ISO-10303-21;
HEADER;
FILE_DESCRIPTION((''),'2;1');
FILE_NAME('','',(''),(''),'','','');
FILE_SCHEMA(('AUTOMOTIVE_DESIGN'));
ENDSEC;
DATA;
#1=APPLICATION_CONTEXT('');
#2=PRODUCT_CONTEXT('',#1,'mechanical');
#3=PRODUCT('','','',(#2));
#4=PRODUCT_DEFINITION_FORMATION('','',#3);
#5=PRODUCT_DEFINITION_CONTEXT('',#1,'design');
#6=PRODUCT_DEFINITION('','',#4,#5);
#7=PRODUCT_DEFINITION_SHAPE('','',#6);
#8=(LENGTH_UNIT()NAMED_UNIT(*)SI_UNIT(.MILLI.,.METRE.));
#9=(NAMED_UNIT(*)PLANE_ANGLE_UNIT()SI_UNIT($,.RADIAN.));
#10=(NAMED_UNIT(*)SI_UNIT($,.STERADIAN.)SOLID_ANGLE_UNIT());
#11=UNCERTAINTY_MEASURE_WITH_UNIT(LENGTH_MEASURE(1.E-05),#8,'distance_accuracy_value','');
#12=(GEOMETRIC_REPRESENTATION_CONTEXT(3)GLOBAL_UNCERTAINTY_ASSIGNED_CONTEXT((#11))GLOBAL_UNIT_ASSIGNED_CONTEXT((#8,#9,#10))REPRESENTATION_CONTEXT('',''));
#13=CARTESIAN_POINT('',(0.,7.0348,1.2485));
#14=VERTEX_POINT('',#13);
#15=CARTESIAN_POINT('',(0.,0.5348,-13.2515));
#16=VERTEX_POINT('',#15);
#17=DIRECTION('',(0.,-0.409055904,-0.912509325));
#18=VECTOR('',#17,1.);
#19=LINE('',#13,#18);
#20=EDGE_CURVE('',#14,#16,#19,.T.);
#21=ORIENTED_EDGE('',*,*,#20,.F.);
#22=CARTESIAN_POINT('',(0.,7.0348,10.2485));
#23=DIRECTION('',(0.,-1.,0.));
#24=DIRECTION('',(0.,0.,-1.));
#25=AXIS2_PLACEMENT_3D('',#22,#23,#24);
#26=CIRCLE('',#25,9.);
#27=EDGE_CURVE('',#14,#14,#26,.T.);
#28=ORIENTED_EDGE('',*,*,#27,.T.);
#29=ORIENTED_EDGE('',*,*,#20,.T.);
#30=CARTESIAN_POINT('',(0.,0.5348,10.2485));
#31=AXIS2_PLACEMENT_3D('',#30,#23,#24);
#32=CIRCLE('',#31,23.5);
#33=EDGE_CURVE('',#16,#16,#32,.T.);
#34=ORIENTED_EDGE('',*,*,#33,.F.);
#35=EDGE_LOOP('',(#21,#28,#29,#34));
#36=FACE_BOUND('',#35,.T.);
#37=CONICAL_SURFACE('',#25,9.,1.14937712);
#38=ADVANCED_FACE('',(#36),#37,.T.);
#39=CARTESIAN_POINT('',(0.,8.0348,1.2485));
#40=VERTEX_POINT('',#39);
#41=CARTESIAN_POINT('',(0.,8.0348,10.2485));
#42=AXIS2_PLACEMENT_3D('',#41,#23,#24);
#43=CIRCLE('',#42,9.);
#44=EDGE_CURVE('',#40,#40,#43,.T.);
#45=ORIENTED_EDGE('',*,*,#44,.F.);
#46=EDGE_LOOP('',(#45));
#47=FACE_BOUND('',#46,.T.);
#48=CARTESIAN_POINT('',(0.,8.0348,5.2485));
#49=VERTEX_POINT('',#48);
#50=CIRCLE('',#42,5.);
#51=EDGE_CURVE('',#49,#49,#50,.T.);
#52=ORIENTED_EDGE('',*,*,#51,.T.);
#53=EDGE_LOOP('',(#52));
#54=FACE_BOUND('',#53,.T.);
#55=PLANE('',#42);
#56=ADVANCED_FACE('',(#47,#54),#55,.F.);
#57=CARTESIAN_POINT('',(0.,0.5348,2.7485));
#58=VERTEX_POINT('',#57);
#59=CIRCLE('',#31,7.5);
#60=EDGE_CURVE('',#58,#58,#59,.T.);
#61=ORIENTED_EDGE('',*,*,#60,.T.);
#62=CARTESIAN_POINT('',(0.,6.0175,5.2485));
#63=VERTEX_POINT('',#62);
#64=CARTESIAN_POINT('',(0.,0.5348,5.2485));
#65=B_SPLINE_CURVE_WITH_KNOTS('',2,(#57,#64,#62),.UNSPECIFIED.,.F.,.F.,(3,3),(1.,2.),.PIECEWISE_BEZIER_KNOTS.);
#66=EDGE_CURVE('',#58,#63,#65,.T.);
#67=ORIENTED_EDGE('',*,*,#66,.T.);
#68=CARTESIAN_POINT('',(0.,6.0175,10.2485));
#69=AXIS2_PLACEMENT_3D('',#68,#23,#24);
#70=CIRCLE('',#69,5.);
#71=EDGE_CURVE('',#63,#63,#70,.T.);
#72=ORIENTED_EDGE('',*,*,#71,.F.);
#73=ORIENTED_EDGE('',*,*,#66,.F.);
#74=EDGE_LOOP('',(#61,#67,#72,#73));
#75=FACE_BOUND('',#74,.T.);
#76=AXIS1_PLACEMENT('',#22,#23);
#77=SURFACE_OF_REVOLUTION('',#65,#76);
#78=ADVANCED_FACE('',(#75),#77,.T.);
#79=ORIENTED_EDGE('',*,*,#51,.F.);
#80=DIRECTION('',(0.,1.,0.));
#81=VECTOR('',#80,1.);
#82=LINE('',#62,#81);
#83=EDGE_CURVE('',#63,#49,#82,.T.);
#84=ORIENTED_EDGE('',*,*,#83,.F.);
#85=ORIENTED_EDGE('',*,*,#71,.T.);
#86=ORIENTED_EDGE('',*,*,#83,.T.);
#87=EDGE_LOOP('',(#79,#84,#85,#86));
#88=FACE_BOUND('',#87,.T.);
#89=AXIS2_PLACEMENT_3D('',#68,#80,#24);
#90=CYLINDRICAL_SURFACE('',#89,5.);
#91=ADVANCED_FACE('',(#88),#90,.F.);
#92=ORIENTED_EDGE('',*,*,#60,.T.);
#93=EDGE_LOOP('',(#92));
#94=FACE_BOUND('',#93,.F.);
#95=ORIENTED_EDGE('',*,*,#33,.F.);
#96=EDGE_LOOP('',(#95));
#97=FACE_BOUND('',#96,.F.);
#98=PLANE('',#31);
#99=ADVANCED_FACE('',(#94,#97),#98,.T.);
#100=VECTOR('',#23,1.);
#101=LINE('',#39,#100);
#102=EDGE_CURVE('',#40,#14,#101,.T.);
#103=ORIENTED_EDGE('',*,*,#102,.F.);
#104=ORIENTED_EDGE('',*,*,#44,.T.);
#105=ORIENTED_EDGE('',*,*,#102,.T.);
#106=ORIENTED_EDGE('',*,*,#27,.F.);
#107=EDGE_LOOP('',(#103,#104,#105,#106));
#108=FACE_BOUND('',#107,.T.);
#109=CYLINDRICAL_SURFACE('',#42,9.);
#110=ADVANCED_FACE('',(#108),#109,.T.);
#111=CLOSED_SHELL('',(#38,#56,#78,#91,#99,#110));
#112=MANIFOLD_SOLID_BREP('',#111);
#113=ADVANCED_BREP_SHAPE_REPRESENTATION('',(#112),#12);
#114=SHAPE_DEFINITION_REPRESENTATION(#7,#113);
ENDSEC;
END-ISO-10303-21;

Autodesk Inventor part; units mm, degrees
ref_plane "YZ Plane" through (0, 0, 0) normal (1, 0, 0) x (0, 1, 0)
ref_plane "XZ Plane" through (0, 0, 0) normal (0, 1, 0) x (-1, 0, 0)
ref_plane "XY Plane" through (0, 0, 0) normal (0, 0, 1) x (1, 0, 0)
sketch "Эскиз1" plane through (0, 0, 0) normal (1, 0, 0) x (0, 1, 0)
  line L0 (6.0175, 5.2485) -> (7.0348, 5.2485)
  line L1 (0.5348, 2.7485) -> (0.5348, -15.7515)
  line L2 (0.5348, 2.7485) -> (0.5348, 2.7485)
  line L3 (0.5348, 2.7485) -> (0.5348, 5.2485) construction
  line L4 (0.5348, 5.2485) -> (6.0175, 5.2485) construction
  spline S0 degree 2 poles (0.5348, 2.7485) (0.5348, 5.2485) (6.0175, 5.2485) knots 1 1 1 2 2 2
  line L5 (3.5175, 7.7485) -> (4.5348, 7.7485)
  line L6 (-1.9652, 5.2485) -> (-1.9652, -13.2515)
  line L7 (-1.9652, 5.2485) -> (-1.9652, 5.2485)
  line L8 (-1.9652, 5.2485) -> (-1.9652, 7.7485) construction
  spline S1 degree 2 poles (-1.9652, 5.2485) (-1.9652, 7.7485) (3.5175, 7.7485) knots 1 1 1 2 2 2
  line L9 (-1.9652, 7.7485) -> (3.5175, 7.7485) construction
  line L10 (4.5348, 7.7485) -> (4.5348, 10.2485)
  line L11 (-1.9652, -13.2515) -> (3.8563, -13.2515)
  line L12 (7.0348, 5.2485) -> (7.0348, 1.2485)
  line L13 (7.0348, 1.2485) -> (0.5348, -13.2515)
  line L14 (7.0348, 5.2485) -> (8.0348, 5.2485)
  line L15 (8.0348, 5.2485) -> (8.0348, 1.2485)
  line L16 (8.0348, 1.2485) -> (7.0348, 1.2485)
  line L17 (7.0348, 10.2485) -> (0.2011, 10.2485)
  point P0 (0, 0)
  point P1 (1.5611, 5.7302)
  dimension "d4" = 2.5
  dimension "d5" = 2.5
  dimension "d6" = 2.5
  dimension "d7" = 4
  dimension "d8" = 1
revolve "Вращение1" add sketch "Эскиз1" angle 360 about axis through (0, 7.0348, 10.2485) along (0, -1, 0)
properties part number "Статор диска"
